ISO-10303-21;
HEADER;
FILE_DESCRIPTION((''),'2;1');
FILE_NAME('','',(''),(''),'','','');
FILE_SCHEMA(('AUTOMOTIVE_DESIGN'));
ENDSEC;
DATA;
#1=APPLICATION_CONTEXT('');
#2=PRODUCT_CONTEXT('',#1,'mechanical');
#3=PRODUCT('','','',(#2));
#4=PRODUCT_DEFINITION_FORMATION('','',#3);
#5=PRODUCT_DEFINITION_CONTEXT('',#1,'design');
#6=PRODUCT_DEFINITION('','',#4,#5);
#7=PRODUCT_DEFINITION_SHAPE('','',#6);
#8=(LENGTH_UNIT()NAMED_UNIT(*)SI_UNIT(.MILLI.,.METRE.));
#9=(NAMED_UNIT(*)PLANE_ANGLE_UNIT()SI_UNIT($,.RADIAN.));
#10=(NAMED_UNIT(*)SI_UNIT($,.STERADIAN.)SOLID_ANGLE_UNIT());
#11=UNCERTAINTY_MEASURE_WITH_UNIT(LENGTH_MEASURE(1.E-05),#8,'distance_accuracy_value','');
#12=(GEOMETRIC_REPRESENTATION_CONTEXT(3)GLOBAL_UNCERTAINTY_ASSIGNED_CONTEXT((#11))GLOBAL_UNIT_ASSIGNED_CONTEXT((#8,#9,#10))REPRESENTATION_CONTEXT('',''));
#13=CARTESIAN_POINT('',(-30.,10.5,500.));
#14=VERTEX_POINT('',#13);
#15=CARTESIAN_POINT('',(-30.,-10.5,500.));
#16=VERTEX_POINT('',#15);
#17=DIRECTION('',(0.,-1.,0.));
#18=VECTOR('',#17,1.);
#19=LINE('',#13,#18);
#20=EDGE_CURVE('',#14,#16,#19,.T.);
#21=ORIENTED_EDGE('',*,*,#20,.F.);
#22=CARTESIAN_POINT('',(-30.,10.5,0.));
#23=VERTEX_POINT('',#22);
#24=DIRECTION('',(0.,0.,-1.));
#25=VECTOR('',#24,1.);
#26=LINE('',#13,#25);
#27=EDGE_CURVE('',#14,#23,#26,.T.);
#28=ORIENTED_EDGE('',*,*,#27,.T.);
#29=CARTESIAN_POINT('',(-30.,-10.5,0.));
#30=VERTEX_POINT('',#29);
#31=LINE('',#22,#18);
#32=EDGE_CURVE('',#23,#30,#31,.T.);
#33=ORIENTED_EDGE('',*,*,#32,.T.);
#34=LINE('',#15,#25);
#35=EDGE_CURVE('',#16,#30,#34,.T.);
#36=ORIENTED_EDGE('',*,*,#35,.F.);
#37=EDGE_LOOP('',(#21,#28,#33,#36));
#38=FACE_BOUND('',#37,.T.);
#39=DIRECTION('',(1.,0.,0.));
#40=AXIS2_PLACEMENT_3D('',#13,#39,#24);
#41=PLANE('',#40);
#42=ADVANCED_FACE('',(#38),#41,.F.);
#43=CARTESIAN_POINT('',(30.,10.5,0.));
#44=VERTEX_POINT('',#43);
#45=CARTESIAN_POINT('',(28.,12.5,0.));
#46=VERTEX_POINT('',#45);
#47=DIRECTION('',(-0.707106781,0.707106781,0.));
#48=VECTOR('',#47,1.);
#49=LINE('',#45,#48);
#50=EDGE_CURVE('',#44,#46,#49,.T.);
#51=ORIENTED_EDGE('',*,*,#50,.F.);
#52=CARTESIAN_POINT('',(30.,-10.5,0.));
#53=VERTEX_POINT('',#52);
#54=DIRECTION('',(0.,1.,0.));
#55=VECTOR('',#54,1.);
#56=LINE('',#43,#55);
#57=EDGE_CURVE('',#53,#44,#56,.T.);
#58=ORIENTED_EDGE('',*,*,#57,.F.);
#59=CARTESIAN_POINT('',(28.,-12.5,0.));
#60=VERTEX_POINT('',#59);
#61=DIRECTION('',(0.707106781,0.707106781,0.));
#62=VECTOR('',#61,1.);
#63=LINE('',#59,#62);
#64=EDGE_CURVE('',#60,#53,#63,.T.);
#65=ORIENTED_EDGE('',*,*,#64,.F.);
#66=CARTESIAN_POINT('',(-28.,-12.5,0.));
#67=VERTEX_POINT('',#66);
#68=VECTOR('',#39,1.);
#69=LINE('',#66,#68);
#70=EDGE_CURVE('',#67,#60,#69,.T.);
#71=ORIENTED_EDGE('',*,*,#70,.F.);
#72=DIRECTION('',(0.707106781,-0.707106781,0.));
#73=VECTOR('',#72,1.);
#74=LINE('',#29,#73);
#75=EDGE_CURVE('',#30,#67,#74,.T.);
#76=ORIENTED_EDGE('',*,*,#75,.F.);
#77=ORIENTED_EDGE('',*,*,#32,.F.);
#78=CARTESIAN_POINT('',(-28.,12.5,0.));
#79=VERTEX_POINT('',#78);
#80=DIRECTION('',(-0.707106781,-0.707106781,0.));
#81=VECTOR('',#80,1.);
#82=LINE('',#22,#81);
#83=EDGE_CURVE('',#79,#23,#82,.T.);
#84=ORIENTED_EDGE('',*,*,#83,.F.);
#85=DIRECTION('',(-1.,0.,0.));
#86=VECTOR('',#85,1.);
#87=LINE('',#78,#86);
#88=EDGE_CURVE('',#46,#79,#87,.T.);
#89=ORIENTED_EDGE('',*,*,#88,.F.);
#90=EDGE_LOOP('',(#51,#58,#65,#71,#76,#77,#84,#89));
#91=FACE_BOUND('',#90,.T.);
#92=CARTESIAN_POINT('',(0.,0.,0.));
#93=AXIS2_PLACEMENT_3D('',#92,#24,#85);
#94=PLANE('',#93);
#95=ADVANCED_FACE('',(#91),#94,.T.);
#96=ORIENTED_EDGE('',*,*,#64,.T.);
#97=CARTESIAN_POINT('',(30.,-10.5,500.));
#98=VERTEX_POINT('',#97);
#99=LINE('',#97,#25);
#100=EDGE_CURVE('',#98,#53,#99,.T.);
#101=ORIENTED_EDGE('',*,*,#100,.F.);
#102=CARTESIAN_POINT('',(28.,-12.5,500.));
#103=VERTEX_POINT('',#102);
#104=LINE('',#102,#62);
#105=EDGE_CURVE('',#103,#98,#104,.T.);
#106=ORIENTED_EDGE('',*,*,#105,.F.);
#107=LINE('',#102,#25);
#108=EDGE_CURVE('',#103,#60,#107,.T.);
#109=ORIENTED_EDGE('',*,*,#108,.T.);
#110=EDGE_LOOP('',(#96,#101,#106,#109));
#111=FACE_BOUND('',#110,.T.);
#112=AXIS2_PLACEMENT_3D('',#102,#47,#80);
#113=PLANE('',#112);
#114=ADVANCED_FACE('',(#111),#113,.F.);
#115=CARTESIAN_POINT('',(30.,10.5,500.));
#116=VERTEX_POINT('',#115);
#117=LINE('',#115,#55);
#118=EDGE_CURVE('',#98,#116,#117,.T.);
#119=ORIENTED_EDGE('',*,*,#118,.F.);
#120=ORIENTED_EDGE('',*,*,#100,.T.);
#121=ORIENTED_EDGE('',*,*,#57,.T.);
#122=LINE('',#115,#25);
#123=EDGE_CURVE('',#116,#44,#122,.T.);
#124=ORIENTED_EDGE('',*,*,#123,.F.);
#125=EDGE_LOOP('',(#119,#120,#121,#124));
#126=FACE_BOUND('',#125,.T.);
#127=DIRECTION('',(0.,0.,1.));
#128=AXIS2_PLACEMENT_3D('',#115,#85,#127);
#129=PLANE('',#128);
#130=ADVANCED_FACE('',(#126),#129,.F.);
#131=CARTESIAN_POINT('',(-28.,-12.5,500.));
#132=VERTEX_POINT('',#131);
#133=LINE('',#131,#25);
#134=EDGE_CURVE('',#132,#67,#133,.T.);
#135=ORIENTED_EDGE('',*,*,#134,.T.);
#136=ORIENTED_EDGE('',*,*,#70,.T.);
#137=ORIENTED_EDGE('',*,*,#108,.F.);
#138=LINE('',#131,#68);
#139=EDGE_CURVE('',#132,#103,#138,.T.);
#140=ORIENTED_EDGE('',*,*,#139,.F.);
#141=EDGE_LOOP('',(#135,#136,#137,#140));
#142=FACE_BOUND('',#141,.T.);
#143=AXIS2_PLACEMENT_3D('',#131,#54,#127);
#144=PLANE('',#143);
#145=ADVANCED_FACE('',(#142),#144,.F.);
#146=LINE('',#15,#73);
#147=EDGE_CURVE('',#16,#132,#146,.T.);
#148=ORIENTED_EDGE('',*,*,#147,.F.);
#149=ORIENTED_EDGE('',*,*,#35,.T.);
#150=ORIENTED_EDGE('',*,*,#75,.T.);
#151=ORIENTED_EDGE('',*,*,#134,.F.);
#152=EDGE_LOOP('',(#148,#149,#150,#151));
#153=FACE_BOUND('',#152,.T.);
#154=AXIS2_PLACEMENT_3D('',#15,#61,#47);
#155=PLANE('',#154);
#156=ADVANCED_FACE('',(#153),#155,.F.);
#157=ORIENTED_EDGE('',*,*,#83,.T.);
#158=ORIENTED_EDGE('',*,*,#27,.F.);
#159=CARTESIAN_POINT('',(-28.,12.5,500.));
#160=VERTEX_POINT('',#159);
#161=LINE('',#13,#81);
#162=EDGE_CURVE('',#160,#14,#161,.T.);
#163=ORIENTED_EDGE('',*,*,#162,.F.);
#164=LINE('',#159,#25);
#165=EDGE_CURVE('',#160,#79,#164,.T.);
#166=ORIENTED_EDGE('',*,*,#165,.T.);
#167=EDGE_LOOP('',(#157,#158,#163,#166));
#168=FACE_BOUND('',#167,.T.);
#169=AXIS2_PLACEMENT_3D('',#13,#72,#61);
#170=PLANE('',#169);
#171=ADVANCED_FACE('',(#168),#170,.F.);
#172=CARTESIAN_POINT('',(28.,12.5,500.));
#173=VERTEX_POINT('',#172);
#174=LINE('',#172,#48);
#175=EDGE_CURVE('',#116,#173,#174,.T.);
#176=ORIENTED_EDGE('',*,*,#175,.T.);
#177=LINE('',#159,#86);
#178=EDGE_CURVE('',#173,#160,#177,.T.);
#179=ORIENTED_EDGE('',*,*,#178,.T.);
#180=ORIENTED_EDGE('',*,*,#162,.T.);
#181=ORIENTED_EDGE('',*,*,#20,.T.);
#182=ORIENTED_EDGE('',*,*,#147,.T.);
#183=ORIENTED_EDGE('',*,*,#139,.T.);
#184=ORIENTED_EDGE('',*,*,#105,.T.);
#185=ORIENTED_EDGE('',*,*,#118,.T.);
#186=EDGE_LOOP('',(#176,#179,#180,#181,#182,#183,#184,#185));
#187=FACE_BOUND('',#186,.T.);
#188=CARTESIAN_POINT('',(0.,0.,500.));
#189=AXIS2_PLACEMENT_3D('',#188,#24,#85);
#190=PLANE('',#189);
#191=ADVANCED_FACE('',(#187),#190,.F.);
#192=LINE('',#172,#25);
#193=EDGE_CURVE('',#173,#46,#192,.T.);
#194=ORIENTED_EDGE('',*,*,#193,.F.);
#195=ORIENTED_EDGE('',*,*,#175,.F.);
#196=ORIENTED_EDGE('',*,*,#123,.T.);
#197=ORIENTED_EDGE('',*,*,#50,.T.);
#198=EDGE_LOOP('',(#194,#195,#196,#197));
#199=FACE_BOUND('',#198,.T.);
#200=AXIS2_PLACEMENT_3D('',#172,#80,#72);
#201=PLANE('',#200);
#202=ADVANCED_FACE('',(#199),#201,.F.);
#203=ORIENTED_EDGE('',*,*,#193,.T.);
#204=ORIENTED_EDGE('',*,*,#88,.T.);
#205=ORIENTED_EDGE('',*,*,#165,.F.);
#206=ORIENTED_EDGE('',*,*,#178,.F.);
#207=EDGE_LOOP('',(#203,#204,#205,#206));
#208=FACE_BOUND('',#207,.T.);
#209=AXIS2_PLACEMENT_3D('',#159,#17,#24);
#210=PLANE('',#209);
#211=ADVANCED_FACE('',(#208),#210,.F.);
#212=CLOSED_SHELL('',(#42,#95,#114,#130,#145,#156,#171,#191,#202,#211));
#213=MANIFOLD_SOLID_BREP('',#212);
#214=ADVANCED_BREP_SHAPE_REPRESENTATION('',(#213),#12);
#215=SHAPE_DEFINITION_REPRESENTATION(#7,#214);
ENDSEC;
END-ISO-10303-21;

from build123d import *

# Parameters (mm, degrees)
EXTRUDE_1_DEPTH = 500


with BuildPart() as part:
    # Эскиз1 → Бобышка-Вытянуть1 (new body)
    with BuildSketch(Plane.XY):
        Polygon((-30, 10.5), (-28, 12.5), (28, 12.5), (30, 10.5), (30, -10.5), (28, -12.5), (-28, -12.5), (-30, -10.5), align=None)
    extrude(amount=EXTRUDE_1_DEPTH)


solid = part.part
